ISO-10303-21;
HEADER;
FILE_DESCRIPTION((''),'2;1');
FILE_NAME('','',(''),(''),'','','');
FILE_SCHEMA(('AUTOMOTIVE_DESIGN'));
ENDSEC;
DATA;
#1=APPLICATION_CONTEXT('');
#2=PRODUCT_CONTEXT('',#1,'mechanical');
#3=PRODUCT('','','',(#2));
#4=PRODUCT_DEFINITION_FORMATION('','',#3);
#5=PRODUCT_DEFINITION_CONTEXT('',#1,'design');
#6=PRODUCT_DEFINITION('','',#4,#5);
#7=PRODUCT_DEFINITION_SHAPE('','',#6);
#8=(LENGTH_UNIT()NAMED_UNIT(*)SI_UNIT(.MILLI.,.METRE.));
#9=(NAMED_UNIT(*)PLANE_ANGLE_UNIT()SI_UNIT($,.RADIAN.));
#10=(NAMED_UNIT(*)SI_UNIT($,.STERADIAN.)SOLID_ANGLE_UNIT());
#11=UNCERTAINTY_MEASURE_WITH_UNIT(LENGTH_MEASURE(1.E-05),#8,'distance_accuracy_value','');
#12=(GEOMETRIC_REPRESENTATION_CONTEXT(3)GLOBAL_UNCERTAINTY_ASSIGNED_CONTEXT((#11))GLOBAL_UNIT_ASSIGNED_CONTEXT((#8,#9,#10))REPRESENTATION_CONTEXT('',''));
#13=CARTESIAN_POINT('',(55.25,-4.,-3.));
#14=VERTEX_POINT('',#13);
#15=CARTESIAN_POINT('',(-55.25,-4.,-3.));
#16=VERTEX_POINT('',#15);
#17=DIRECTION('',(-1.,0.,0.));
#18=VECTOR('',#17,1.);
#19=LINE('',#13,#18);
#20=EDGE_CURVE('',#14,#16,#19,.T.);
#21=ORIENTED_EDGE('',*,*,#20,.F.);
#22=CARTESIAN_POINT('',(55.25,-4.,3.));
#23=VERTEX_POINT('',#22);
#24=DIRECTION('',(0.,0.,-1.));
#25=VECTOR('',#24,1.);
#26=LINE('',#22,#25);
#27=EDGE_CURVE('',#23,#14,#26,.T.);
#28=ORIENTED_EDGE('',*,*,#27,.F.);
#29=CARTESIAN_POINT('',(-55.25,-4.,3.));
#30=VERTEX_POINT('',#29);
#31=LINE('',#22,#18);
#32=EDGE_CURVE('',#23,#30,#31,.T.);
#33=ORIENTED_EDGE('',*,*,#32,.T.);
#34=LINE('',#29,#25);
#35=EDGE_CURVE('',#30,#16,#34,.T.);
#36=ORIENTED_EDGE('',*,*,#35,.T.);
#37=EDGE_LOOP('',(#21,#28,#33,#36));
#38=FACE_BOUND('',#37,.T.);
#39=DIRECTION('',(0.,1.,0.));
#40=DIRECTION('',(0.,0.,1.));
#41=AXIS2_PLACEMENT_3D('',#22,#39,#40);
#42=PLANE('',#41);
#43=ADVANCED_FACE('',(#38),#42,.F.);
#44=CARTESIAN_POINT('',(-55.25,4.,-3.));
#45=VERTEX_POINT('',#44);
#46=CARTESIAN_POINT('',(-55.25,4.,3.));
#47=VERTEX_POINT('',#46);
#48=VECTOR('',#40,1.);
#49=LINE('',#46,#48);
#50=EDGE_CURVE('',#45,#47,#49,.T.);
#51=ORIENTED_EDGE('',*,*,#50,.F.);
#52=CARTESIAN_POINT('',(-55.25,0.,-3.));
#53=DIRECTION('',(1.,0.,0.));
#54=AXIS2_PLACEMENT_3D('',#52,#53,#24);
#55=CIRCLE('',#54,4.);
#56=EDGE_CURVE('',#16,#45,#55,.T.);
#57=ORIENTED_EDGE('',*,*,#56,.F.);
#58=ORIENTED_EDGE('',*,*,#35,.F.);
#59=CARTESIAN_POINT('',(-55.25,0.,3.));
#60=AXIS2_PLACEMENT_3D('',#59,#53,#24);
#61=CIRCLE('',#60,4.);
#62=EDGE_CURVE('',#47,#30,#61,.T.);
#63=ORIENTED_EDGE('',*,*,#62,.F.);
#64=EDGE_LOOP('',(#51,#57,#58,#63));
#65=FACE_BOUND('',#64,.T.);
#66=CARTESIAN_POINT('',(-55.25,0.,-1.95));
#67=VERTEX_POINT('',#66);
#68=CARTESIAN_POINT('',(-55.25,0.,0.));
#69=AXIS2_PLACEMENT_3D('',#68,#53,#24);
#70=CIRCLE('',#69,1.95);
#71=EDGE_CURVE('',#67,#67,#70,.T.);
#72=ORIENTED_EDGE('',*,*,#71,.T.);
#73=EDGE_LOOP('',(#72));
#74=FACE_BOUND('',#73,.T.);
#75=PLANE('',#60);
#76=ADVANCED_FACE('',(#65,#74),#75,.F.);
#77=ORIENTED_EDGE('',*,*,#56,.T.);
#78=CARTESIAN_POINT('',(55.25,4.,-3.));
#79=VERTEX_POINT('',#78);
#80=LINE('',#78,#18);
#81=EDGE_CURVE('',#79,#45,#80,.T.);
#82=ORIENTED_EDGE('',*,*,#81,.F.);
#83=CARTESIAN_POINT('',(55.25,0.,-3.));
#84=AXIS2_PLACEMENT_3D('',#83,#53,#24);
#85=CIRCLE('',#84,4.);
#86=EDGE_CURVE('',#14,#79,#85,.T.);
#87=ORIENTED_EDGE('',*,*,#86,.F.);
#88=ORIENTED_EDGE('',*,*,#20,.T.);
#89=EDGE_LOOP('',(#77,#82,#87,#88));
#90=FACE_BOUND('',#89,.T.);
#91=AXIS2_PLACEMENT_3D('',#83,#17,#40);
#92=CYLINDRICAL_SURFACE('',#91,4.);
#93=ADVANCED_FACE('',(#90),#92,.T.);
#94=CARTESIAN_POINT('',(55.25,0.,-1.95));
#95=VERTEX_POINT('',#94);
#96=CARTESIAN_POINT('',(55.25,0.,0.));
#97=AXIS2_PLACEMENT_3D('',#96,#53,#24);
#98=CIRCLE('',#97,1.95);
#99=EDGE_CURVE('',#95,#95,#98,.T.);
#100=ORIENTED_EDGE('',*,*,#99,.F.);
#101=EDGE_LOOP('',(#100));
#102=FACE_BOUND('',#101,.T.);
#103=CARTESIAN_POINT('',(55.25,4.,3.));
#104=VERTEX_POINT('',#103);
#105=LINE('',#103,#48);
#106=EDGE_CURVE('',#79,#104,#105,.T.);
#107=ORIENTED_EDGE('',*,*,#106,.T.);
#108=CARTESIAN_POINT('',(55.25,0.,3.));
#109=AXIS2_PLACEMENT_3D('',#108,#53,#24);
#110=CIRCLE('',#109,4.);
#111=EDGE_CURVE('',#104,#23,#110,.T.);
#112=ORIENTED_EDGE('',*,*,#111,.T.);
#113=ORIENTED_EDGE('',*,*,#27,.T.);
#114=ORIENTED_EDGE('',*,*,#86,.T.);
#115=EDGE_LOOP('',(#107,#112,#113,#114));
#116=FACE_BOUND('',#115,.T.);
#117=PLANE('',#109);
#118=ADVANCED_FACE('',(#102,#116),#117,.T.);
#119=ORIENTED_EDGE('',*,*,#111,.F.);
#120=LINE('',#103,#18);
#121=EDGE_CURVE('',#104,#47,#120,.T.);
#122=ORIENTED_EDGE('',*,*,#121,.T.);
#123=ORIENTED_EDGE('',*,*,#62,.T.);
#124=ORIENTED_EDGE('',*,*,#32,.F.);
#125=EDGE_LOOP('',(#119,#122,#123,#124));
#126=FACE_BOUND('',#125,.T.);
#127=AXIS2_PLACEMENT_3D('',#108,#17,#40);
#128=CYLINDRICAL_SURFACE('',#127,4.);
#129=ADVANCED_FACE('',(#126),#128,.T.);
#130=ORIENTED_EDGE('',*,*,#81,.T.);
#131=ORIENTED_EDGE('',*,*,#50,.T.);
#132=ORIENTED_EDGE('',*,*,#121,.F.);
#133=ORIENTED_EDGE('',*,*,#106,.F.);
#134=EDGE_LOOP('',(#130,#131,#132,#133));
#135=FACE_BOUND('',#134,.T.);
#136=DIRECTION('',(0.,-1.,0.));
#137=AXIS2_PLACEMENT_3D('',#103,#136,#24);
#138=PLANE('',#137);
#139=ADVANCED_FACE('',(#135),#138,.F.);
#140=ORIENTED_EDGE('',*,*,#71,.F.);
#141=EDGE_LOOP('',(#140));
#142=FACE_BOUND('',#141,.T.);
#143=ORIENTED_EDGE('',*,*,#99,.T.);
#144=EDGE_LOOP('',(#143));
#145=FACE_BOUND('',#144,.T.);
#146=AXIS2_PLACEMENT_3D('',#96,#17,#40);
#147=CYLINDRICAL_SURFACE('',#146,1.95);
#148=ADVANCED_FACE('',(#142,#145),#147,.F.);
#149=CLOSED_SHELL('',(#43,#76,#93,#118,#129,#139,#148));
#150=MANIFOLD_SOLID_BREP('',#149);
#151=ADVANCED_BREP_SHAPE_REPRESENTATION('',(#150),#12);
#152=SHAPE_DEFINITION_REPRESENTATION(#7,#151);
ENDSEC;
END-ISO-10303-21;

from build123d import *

# Parameters (mm, degrees)
SKETCH1_R           = 1.95
BOSS_EXTRUDE1_DEPTH = 55.25


with BuildPart() as part:
    # Sketch1 → Boss-Extrude1 (new, symmetric)
    with BuildSketch(Plane(origin=(0, 0, 0), x_dir=(0, 0, -1), z_dir=(1, 0, 0))):
        with BuildLine():
            Line((-3, 4), (3, 4))
            ThreePointArc((3, 4), (7, 0), (3, -4))
            Line((3, -4), (-3, -4))
            ThreePointArc((-3, -4), (-7, 0), (-3, 4))
        make_face()
        Circle(SKETCH1_R, mode=Mode.SUBTRACT)
    extrude(amount=BOSS_EXTRUDE1_DEPTH, both=True)


solid = part.part
